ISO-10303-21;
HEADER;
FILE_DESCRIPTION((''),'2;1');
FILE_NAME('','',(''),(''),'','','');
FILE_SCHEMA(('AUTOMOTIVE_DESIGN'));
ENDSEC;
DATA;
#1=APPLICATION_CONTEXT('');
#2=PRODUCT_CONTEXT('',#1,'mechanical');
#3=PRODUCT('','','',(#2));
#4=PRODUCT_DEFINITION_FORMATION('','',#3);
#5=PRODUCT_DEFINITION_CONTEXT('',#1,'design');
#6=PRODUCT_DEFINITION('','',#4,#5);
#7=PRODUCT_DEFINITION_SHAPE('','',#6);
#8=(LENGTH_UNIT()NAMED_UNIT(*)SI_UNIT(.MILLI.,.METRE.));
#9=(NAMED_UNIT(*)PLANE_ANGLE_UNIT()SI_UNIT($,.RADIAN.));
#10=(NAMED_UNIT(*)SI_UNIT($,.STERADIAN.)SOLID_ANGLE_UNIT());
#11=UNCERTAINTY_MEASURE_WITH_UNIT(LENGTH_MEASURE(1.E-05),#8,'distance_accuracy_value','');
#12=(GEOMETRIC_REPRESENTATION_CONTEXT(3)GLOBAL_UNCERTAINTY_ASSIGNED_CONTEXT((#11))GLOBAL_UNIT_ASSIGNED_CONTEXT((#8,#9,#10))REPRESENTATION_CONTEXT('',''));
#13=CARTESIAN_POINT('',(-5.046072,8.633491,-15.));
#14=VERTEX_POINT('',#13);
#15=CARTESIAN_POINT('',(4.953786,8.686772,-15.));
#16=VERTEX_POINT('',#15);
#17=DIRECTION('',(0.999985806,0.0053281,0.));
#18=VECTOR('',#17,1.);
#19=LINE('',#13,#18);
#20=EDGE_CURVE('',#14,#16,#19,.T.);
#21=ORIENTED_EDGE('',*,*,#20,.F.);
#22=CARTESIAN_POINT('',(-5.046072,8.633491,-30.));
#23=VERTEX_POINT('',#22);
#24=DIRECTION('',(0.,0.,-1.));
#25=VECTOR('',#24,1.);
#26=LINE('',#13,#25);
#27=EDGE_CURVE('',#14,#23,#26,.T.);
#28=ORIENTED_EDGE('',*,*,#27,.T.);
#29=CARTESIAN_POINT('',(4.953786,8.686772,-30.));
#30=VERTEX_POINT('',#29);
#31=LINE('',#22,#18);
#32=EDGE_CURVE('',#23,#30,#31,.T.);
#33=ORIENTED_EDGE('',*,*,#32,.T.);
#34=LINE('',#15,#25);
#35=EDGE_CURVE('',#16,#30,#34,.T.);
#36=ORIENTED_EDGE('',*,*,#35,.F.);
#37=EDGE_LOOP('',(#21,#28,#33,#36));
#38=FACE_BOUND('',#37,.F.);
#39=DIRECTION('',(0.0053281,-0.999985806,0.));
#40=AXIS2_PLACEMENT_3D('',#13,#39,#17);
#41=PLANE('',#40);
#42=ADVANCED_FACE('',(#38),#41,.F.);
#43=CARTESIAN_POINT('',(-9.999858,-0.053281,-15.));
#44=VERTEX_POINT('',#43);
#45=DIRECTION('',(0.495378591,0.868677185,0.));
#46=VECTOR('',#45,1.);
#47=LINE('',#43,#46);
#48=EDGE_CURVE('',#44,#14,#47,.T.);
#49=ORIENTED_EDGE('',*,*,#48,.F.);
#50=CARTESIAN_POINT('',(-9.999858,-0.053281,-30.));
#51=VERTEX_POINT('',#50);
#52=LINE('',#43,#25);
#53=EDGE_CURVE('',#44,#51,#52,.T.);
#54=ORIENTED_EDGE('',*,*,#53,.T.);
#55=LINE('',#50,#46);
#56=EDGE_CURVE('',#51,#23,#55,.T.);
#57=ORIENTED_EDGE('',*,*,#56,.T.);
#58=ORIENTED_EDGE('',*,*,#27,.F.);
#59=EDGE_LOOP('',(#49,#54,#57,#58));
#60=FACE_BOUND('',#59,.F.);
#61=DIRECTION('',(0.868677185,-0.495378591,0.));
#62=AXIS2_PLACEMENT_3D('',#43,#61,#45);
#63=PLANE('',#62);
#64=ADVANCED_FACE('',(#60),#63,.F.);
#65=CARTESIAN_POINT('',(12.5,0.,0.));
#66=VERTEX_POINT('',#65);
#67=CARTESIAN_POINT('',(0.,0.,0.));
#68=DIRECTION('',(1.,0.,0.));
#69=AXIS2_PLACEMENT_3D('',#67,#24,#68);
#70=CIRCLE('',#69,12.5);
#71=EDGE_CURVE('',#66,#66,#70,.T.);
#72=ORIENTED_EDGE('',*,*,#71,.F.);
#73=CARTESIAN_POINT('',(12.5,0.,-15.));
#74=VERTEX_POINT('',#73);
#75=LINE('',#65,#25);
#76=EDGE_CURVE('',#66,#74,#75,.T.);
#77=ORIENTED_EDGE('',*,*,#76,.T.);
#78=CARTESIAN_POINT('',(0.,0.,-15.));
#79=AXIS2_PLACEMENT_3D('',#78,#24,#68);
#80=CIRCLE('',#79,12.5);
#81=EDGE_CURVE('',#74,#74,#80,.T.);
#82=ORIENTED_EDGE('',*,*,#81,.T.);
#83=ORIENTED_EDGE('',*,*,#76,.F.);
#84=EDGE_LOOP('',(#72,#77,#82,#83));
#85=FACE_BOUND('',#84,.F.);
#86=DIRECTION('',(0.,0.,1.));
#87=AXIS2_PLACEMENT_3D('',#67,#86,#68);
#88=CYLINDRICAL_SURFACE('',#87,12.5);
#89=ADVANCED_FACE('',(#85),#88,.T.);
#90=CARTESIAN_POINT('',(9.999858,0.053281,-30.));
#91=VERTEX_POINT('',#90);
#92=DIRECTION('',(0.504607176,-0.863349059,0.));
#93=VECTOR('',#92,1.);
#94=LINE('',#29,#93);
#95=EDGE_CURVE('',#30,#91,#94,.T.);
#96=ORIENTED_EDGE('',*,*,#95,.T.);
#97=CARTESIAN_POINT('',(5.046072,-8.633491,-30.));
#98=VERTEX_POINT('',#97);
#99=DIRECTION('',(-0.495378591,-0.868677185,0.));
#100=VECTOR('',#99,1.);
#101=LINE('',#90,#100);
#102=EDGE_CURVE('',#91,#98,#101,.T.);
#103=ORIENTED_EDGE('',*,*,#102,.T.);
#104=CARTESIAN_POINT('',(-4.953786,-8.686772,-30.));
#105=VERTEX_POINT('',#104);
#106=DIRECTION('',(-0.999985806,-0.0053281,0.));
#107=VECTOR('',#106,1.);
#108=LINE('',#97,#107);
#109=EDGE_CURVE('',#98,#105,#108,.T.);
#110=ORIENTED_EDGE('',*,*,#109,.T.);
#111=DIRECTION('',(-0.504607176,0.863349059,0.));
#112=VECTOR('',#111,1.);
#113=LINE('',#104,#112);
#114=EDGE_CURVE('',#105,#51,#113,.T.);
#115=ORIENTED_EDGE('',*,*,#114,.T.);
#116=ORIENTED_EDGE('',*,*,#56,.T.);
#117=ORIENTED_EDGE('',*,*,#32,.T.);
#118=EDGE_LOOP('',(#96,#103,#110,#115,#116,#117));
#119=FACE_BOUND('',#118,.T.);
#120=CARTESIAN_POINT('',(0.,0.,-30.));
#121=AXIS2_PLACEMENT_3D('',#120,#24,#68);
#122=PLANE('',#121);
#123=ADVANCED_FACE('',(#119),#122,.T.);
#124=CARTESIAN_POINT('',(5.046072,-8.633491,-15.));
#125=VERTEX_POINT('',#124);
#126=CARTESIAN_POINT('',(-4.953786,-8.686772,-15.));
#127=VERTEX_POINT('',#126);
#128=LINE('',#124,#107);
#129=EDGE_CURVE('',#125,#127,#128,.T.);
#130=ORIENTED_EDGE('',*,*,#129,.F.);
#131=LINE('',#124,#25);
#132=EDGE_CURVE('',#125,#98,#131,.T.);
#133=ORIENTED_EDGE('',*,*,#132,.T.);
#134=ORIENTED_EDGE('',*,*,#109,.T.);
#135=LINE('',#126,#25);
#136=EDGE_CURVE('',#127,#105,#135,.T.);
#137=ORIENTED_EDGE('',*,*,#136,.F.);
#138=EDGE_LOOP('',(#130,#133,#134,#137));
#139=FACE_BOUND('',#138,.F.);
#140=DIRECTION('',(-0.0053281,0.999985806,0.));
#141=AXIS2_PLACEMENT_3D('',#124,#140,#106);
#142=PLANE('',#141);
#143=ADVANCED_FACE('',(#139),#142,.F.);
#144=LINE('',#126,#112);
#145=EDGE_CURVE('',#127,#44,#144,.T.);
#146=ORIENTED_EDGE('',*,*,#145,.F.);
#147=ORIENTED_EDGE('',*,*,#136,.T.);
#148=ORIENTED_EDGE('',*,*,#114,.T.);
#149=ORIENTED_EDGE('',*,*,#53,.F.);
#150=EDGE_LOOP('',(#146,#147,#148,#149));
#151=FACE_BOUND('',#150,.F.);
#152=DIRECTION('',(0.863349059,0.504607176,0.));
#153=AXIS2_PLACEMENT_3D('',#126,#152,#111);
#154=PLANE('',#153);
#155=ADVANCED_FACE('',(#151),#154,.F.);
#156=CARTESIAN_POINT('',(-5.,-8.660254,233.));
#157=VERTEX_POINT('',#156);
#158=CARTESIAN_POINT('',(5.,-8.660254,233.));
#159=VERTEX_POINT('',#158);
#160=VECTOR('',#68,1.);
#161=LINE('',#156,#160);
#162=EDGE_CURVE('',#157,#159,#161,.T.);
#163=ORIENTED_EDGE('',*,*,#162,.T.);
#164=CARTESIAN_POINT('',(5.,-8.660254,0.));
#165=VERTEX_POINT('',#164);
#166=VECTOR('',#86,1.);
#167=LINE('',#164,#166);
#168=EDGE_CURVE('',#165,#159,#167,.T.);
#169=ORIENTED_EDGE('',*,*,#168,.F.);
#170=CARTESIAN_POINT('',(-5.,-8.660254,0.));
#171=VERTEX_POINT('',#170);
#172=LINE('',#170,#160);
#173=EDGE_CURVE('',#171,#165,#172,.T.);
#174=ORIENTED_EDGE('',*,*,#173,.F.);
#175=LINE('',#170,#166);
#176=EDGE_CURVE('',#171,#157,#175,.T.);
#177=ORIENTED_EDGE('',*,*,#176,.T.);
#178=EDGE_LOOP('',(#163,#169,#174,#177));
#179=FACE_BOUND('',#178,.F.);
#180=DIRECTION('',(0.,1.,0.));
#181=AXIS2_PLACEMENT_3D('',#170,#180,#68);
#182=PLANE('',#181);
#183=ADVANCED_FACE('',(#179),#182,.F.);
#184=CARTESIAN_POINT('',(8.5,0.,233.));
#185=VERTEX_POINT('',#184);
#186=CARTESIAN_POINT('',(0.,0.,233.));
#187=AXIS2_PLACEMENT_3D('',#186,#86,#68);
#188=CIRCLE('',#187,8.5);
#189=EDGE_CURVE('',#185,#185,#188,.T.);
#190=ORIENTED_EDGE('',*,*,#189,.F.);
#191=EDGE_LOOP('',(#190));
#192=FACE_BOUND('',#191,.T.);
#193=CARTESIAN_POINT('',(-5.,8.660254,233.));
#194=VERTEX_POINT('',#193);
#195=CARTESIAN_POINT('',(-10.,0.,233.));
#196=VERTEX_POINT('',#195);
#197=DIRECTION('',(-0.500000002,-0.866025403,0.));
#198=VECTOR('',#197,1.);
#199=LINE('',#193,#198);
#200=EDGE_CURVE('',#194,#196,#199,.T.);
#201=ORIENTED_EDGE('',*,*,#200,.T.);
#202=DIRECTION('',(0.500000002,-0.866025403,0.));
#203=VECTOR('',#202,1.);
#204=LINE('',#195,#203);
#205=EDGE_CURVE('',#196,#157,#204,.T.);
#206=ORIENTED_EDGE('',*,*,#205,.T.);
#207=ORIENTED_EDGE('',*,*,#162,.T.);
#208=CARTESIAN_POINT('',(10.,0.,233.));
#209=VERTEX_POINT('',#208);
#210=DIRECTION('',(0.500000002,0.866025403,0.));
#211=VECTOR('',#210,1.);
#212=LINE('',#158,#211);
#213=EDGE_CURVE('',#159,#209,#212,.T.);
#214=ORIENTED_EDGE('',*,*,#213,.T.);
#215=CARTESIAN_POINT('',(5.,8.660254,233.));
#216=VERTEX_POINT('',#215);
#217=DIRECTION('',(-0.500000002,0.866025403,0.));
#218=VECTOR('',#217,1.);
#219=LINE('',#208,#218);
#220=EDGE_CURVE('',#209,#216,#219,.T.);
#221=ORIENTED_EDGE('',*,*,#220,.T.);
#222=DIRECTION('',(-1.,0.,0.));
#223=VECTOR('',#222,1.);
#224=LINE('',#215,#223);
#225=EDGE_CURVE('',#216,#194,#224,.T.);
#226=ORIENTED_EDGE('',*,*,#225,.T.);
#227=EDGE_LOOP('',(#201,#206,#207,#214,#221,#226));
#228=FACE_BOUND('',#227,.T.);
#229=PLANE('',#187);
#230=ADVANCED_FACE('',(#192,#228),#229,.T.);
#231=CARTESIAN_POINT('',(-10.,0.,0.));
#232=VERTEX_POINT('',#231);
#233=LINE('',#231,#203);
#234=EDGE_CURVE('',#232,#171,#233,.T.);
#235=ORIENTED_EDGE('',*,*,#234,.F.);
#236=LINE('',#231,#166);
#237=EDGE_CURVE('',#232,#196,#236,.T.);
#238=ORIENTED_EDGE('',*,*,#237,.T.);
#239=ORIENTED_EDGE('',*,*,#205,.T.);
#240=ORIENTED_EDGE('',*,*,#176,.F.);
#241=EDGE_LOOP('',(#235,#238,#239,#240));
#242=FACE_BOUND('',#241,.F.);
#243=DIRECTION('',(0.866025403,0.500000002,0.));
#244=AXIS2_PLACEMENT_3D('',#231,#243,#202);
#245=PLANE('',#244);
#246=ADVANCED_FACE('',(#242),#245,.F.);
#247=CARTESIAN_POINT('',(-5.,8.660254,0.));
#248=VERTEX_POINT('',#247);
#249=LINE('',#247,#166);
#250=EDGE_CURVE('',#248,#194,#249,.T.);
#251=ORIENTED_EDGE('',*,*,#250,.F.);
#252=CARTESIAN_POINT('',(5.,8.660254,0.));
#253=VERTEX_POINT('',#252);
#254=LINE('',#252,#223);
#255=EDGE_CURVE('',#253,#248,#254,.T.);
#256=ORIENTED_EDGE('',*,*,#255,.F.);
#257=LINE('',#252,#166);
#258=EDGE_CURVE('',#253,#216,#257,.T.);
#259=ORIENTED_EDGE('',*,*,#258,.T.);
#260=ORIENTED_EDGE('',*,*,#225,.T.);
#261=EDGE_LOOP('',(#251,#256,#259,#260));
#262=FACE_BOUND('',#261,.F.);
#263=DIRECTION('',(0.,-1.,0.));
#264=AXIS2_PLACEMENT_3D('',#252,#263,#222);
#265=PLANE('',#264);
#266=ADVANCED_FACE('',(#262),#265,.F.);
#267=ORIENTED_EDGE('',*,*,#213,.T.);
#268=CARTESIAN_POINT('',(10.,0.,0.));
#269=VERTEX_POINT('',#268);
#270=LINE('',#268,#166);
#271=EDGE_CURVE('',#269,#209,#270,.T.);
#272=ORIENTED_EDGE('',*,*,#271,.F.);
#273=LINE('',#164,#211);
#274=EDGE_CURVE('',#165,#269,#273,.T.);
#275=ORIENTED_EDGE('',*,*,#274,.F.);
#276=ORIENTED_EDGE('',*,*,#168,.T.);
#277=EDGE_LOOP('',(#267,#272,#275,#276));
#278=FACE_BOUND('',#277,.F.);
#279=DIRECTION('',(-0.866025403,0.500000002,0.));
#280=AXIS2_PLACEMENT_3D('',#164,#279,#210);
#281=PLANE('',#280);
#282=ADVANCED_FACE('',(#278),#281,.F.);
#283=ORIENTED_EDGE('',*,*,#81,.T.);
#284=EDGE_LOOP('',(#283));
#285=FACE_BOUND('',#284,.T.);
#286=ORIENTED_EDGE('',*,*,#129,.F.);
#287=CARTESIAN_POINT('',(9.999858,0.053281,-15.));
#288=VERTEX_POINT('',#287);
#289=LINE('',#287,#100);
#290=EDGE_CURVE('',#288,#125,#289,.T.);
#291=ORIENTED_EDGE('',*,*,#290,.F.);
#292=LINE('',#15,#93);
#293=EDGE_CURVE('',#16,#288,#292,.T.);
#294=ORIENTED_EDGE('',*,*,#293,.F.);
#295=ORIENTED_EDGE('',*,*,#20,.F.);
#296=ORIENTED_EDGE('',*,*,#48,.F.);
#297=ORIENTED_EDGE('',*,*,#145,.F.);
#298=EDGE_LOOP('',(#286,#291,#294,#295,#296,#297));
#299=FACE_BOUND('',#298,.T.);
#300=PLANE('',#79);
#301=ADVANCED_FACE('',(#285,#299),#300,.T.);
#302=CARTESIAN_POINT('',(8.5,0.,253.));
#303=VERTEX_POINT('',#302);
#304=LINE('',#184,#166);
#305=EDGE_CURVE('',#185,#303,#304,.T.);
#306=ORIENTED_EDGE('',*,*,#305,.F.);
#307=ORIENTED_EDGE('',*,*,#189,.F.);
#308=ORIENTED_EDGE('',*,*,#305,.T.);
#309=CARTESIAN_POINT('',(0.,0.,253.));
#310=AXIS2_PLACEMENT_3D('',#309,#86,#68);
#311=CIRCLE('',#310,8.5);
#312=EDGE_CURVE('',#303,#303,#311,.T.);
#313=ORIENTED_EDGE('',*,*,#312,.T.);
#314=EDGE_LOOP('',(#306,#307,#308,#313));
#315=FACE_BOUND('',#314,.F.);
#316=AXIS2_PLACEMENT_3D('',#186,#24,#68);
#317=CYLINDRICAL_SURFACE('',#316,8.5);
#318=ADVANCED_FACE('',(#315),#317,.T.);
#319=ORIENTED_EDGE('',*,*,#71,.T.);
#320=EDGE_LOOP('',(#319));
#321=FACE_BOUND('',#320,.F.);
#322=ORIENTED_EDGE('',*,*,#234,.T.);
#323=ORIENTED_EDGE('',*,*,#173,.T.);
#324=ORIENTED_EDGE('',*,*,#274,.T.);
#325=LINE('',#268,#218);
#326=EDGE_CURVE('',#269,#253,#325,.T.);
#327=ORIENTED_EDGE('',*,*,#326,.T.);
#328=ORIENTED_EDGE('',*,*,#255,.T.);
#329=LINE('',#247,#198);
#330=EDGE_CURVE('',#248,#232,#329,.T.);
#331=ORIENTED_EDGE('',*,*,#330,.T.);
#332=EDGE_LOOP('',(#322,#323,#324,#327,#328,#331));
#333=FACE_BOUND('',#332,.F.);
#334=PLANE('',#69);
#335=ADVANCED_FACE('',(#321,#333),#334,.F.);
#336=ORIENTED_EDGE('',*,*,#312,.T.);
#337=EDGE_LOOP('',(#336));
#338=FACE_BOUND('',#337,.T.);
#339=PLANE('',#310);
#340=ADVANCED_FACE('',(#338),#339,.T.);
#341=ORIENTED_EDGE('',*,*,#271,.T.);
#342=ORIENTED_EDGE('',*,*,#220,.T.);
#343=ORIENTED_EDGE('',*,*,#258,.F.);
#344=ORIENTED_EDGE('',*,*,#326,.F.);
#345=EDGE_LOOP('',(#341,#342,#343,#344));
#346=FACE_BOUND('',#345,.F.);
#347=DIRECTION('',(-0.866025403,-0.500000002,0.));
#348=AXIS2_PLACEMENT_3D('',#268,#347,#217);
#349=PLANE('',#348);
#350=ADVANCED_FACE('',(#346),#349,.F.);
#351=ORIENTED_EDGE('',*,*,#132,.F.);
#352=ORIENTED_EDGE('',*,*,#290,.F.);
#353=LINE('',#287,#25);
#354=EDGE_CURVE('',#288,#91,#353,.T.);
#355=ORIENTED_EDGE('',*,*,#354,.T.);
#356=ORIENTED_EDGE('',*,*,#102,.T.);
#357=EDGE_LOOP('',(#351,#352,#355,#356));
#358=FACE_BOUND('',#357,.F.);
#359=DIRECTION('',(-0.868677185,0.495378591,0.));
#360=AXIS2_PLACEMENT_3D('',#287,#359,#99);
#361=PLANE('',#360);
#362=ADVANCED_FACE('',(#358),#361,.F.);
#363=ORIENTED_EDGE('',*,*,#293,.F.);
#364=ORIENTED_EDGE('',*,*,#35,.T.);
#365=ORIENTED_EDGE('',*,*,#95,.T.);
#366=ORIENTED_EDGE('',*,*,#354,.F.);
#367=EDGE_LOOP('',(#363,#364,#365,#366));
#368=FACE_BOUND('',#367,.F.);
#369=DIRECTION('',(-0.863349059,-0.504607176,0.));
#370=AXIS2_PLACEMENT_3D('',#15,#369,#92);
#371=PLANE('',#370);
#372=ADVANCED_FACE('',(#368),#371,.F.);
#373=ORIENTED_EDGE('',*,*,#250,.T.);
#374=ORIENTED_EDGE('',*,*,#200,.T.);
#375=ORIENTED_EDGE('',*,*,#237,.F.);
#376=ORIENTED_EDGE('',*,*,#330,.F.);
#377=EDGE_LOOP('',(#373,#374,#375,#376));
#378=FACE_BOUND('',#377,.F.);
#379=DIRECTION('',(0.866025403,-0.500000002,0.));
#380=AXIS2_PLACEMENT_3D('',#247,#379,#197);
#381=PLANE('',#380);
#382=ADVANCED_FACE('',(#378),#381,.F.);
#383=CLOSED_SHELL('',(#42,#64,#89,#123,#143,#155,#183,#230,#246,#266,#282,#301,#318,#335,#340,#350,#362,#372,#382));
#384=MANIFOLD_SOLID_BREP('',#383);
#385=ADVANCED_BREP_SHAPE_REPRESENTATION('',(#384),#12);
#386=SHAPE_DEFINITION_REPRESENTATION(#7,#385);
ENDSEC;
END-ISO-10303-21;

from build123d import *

# Parameters (mm, degrees)
F1_DEPTH = 233
F2_R     = 8.5
F3_DEPTH = 20
F4_R     = 12.5
F5_DEPTH = 15
F7_DEPTH = 15


with BuildPart() as f1:
    # F0 (on Top) → F1 (new body)
    with BuildSketch(Plane.XY):
        Polygon((5, 8.660254), (-5, 8.660254), (-10, 0), (-5, -8.660254), (5, -8.660254), (10, 0), align=None)
    extrude(amount=F1_DEPTH)

    # F2 (on face) → F3 (join)
    with BuildSketch(Plane.XY.offset(233)):
        Circle(F2_R)
    extrude(amount=F3_DEPTH)

    # F4 (on face) → F5 (join)
    with BuildSketch(Plane(origin=(0, 0, 0), x_dir=(1, 0, 0), z_dir=(0, 0, -1))):
        Circle(F4_R)
        Polygon((5, -8.660254), (-5, -8.660254), (-10, 0), (-5, 8.660254), (5, 8.660254), (10, 0), align=None, mode=Mode.SUBTRACT)
        Polygon((-10, 0), (-5, -8.660254), (5, -8.660254), (10, 0), (5, 8.660254), (-5, 8.660254), align=None)
    extrude(amount=F5_DEPTH)

    # F6 (on face) → F7 (join)
    with BuildSketch(Plane(origin=(0, 0, -15), x_dir=(1, 0, 0), z_dir=(0, 0, -1))):
        Polygon((4.953786, -8.686772), (9.999858, -0.053281), (5.046072, 8.633491), (-4.953786, 8.686772), (-9.999858, 0.053281), (-5.046072, -8.633491), align=None)
    extrude(amount=F7_DEPTH)


solid = f1.part
